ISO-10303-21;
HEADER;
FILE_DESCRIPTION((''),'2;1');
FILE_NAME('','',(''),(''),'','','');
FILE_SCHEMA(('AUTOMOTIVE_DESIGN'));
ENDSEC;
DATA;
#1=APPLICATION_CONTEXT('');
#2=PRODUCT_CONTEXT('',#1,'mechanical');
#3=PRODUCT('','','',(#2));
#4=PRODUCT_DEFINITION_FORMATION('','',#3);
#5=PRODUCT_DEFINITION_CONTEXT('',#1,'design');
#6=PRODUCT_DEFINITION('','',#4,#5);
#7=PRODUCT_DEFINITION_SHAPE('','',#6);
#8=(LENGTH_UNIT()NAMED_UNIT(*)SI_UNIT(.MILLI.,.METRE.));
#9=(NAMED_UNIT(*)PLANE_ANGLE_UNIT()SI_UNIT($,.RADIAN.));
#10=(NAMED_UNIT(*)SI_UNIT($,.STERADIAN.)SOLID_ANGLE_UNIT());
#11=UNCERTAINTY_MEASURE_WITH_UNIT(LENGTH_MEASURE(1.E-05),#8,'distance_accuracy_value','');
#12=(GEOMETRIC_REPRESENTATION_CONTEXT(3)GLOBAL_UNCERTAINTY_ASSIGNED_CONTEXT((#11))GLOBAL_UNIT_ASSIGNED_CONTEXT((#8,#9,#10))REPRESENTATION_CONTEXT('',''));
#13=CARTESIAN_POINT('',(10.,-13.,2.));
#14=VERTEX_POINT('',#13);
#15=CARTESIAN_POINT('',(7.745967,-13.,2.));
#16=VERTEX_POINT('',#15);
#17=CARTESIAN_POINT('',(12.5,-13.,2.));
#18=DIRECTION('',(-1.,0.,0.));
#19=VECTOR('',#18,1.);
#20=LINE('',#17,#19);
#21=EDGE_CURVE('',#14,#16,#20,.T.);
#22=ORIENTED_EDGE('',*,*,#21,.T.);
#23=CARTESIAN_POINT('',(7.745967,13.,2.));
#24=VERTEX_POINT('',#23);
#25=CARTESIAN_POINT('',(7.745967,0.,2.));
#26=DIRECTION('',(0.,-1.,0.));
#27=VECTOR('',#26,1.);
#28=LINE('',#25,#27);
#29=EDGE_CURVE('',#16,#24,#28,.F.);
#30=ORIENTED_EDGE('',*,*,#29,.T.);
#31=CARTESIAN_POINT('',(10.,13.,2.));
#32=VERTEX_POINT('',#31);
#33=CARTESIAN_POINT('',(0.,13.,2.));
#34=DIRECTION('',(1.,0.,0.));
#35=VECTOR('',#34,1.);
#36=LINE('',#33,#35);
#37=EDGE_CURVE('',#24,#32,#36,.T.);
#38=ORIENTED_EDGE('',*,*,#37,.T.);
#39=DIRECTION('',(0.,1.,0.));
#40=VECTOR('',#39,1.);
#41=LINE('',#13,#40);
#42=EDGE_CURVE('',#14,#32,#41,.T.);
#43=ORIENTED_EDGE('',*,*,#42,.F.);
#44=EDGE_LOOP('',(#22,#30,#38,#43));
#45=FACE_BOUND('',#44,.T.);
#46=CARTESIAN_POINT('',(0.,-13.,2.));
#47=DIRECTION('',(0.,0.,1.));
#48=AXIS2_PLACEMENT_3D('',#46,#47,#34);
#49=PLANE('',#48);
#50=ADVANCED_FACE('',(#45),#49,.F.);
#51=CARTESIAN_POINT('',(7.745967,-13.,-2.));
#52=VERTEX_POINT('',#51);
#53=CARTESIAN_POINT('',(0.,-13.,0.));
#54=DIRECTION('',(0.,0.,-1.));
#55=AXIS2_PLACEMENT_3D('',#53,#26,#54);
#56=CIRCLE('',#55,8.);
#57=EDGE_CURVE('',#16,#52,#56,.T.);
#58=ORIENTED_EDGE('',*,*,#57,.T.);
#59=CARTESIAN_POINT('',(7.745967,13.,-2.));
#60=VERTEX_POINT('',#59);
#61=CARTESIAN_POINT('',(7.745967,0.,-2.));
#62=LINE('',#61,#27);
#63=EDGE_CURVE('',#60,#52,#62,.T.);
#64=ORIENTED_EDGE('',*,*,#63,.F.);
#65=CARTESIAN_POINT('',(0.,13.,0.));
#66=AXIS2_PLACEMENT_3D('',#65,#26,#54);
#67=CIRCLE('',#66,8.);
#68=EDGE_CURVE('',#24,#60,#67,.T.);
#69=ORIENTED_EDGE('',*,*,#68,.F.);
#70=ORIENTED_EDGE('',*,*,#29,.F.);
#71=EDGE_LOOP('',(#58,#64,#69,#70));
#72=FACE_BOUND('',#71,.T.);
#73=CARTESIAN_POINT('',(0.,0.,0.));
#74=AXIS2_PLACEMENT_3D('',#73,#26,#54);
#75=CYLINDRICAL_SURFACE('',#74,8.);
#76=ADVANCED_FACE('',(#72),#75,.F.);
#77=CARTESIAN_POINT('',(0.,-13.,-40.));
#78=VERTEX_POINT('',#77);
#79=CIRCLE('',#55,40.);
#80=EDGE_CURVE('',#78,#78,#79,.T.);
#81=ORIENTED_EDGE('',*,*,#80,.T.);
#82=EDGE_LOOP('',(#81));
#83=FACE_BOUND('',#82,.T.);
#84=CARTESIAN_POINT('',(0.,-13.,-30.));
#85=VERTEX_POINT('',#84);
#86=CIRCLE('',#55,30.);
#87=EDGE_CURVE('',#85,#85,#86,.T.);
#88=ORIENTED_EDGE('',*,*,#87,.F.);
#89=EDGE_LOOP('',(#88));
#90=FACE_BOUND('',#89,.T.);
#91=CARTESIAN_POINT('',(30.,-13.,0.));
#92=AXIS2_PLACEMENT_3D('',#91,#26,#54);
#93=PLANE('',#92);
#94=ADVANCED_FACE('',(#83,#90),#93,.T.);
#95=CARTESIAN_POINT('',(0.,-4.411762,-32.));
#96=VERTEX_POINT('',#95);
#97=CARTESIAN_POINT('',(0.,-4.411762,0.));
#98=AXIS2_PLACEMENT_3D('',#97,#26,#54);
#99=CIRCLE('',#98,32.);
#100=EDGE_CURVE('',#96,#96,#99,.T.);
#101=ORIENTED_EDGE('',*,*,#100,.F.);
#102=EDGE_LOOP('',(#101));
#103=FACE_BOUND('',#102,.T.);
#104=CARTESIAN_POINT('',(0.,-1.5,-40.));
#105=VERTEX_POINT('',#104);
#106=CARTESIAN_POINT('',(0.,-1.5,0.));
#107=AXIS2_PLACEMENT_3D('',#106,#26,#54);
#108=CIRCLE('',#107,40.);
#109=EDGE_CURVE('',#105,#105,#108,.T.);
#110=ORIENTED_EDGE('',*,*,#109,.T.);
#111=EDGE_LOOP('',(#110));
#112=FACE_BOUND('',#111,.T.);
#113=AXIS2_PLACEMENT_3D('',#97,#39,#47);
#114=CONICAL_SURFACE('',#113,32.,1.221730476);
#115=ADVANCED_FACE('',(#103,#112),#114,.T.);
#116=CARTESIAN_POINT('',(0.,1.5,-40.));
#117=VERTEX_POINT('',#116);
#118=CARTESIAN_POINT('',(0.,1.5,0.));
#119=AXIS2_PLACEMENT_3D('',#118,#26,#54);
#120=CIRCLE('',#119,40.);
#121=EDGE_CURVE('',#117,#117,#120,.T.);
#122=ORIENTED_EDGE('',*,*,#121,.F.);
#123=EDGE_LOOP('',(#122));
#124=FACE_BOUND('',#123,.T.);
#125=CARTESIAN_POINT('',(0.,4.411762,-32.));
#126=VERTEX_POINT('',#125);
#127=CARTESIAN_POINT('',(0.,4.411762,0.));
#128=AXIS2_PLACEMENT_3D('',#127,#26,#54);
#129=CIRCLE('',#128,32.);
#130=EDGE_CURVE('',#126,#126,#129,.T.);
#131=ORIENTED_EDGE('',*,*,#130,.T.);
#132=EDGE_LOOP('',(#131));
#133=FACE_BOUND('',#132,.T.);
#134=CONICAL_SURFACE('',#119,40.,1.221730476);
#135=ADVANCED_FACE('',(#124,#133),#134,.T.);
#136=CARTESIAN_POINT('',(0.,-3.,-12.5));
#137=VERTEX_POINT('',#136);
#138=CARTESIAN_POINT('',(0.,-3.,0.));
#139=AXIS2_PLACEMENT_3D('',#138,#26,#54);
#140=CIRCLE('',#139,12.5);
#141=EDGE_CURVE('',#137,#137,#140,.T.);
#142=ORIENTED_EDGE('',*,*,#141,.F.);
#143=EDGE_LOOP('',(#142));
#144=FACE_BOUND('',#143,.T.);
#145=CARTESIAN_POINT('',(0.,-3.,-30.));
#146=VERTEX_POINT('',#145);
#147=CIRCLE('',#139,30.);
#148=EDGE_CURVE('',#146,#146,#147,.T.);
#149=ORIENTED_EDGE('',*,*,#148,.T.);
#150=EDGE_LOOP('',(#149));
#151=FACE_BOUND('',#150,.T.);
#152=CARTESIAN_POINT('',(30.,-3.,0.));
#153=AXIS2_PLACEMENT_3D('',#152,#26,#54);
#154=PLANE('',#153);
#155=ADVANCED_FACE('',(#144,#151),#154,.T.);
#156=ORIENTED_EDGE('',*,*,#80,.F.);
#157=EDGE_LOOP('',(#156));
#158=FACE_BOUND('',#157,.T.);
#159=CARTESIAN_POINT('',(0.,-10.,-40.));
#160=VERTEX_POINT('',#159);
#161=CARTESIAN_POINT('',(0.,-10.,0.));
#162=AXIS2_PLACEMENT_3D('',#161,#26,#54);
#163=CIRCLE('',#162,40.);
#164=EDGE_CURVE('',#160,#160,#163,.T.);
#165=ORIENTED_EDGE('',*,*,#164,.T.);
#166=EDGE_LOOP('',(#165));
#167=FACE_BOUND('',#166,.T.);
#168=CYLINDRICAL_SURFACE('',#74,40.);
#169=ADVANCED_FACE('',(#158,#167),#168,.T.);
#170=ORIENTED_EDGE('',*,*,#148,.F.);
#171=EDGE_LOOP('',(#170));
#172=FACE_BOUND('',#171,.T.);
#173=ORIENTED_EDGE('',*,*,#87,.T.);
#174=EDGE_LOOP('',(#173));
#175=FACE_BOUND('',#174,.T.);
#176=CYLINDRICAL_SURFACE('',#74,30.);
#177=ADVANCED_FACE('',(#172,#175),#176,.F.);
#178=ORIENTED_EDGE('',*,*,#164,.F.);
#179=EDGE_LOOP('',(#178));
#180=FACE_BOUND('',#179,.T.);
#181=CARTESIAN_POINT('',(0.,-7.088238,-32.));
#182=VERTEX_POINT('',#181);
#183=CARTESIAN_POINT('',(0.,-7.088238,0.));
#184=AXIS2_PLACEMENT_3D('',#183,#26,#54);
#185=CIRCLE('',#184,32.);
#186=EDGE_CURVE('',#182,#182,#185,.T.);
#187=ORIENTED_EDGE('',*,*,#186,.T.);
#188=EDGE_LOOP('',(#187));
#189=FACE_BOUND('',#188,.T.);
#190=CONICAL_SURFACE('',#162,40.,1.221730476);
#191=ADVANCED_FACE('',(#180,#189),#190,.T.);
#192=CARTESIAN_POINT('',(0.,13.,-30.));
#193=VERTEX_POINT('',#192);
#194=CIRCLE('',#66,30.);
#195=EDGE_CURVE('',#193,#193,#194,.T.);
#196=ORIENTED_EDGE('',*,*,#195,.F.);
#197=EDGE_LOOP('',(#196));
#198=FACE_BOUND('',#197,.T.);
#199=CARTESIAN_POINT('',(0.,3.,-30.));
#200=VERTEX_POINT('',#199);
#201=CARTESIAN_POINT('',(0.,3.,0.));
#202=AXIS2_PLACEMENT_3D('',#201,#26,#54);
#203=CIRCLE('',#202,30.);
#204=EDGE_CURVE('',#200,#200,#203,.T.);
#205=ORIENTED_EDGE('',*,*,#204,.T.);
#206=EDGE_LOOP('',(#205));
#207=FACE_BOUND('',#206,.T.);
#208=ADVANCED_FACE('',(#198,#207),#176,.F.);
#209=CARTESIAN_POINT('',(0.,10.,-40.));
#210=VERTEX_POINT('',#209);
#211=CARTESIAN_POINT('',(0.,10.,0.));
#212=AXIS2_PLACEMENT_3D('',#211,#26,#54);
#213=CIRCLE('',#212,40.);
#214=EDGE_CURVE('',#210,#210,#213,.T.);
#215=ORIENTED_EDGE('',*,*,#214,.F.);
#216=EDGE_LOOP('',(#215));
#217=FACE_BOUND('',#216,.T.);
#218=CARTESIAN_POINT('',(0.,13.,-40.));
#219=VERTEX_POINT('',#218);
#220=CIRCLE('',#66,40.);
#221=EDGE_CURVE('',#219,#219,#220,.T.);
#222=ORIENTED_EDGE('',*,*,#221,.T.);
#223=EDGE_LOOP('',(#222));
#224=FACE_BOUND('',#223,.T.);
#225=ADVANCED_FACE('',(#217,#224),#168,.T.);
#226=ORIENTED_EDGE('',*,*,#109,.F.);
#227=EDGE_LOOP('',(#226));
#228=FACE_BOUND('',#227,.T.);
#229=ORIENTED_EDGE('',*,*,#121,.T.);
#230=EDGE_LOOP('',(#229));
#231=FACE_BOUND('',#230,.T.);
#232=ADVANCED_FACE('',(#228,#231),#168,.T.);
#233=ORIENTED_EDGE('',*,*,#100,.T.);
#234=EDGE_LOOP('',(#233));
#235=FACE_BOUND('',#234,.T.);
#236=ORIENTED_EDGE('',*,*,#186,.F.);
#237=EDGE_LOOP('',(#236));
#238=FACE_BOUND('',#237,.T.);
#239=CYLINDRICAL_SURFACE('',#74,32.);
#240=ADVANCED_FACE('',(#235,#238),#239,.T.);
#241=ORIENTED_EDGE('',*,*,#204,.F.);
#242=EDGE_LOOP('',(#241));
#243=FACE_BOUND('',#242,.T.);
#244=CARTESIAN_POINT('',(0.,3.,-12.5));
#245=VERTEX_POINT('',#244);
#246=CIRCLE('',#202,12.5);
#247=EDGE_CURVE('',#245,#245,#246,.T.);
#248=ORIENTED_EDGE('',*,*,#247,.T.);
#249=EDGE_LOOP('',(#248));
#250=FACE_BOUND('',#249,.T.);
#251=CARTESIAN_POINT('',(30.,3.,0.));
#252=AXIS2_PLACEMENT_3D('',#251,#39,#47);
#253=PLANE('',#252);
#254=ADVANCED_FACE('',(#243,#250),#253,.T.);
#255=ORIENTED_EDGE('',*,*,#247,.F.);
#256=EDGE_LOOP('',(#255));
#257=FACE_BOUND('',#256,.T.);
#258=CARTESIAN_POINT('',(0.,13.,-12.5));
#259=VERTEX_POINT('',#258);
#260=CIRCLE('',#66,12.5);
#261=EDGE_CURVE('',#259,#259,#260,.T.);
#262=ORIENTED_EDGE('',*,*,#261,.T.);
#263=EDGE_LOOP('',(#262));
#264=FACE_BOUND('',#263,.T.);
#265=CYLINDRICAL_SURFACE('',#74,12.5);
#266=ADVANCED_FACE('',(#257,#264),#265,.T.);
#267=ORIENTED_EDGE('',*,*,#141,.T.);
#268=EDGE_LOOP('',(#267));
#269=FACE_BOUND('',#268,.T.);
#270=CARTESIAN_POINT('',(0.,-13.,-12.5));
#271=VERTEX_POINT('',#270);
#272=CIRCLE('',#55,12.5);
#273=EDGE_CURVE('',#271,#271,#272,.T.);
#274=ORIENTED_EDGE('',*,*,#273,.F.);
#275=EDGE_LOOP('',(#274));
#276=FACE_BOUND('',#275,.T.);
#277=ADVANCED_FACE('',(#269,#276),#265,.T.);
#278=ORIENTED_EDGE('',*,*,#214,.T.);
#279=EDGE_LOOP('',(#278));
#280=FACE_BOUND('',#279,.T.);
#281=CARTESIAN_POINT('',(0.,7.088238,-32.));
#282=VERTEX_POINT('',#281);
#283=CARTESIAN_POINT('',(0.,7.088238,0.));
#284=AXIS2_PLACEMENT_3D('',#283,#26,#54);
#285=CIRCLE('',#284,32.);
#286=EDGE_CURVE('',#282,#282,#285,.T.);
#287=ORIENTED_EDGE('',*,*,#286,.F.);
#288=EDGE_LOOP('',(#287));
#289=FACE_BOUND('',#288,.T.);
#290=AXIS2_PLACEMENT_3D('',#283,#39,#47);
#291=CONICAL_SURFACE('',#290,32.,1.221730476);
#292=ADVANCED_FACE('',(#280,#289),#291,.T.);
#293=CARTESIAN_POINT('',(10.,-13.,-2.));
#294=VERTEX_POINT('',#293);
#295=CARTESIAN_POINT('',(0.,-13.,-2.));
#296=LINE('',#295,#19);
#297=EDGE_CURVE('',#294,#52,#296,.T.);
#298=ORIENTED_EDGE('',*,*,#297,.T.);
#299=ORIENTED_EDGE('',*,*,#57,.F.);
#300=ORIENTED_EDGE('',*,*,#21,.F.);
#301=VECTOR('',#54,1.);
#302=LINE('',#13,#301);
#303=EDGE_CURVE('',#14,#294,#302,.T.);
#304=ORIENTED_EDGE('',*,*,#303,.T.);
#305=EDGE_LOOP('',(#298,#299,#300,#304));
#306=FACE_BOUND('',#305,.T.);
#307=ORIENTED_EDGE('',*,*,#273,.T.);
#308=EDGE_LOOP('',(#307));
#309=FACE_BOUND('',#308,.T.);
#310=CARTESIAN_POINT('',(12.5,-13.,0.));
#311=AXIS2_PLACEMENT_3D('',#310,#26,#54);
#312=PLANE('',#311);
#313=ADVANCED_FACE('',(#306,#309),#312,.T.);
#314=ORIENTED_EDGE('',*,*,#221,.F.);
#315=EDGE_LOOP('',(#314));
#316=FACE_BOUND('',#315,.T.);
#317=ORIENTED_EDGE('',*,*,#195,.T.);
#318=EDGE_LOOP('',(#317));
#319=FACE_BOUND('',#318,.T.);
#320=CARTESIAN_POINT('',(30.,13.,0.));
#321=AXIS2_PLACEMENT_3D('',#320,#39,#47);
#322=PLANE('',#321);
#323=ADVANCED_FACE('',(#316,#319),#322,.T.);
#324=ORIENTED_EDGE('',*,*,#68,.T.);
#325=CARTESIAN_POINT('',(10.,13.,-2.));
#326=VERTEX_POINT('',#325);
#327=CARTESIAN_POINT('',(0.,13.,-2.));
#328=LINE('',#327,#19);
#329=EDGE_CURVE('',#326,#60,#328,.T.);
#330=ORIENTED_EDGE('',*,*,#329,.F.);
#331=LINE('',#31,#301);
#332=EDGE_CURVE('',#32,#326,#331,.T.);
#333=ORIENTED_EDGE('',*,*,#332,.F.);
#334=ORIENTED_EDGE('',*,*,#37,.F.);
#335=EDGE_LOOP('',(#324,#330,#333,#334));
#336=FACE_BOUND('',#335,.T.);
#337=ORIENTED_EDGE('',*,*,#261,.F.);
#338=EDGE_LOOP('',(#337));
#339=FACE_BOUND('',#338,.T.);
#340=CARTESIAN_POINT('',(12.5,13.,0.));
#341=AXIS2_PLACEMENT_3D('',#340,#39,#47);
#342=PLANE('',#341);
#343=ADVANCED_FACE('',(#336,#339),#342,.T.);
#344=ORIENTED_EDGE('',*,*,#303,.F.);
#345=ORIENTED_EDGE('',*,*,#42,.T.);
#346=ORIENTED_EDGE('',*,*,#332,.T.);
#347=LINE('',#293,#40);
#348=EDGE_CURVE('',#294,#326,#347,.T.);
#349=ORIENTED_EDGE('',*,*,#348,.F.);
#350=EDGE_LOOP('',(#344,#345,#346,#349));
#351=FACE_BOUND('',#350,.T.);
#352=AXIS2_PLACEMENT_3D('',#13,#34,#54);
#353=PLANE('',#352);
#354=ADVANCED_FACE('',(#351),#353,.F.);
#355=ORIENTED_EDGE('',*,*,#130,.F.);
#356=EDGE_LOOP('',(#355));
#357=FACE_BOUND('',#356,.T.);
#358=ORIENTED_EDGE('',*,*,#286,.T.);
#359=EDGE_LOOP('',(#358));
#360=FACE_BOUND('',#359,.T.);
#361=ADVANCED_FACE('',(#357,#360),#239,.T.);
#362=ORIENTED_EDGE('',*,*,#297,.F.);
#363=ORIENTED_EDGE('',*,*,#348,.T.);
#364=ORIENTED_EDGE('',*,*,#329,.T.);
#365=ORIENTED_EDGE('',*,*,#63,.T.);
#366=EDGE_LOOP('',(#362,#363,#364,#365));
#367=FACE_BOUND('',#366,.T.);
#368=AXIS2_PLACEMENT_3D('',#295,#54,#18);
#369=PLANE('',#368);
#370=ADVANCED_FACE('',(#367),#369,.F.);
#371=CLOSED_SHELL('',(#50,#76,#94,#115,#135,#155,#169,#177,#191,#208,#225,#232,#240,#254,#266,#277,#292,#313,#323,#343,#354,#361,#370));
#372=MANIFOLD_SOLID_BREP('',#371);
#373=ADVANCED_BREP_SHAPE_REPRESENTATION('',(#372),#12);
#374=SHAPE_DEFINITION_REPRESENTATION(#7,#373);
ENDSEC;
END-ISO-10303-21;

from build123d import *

# Parameters (mm, degrees)
SKETCH_2_W          = 10
SKETCH_2_H          = 4
CUT_EXTRUDE_1_DEPTH = 27


with BuildPart() as part:
    # 草圖1 → 旋轉1 (revolve)
    with BuildSketch(Plane.XY):
        Polygon((30, -13), (30, -3), (12.5, -3), (12.5, -13), (8, -13), (8, 13), (12.5, 13), (12.5, 3), (30, 3), (30, 13), (40, 13), (40, 10), (32, 7.088238126), (32, 4.411761874), (40, 1.5), (40, -1.5), (32, -4.411761874), (32, -7.088238126), (40, -10), (40, -13), align=None)
    revolve(axis=Axis((0, 0, 0), (0, 1, 0)))

    # 草圖2 → 除料-伸長1 (cut, through all)
    with BuildSketch(Plane(origin=(0, 13, 0), x_dir=(1, 0, 0), z_dir=(0, 1, 0))):
        with Locations((5, 0)):
            Rectangle(SKETCH_2_W, SKETCH_2_H)
    extrude(amount=-CUT_EXTRUDE_1_DEPTH, mode=Mode.SUBTRACT)


solid = part.part
